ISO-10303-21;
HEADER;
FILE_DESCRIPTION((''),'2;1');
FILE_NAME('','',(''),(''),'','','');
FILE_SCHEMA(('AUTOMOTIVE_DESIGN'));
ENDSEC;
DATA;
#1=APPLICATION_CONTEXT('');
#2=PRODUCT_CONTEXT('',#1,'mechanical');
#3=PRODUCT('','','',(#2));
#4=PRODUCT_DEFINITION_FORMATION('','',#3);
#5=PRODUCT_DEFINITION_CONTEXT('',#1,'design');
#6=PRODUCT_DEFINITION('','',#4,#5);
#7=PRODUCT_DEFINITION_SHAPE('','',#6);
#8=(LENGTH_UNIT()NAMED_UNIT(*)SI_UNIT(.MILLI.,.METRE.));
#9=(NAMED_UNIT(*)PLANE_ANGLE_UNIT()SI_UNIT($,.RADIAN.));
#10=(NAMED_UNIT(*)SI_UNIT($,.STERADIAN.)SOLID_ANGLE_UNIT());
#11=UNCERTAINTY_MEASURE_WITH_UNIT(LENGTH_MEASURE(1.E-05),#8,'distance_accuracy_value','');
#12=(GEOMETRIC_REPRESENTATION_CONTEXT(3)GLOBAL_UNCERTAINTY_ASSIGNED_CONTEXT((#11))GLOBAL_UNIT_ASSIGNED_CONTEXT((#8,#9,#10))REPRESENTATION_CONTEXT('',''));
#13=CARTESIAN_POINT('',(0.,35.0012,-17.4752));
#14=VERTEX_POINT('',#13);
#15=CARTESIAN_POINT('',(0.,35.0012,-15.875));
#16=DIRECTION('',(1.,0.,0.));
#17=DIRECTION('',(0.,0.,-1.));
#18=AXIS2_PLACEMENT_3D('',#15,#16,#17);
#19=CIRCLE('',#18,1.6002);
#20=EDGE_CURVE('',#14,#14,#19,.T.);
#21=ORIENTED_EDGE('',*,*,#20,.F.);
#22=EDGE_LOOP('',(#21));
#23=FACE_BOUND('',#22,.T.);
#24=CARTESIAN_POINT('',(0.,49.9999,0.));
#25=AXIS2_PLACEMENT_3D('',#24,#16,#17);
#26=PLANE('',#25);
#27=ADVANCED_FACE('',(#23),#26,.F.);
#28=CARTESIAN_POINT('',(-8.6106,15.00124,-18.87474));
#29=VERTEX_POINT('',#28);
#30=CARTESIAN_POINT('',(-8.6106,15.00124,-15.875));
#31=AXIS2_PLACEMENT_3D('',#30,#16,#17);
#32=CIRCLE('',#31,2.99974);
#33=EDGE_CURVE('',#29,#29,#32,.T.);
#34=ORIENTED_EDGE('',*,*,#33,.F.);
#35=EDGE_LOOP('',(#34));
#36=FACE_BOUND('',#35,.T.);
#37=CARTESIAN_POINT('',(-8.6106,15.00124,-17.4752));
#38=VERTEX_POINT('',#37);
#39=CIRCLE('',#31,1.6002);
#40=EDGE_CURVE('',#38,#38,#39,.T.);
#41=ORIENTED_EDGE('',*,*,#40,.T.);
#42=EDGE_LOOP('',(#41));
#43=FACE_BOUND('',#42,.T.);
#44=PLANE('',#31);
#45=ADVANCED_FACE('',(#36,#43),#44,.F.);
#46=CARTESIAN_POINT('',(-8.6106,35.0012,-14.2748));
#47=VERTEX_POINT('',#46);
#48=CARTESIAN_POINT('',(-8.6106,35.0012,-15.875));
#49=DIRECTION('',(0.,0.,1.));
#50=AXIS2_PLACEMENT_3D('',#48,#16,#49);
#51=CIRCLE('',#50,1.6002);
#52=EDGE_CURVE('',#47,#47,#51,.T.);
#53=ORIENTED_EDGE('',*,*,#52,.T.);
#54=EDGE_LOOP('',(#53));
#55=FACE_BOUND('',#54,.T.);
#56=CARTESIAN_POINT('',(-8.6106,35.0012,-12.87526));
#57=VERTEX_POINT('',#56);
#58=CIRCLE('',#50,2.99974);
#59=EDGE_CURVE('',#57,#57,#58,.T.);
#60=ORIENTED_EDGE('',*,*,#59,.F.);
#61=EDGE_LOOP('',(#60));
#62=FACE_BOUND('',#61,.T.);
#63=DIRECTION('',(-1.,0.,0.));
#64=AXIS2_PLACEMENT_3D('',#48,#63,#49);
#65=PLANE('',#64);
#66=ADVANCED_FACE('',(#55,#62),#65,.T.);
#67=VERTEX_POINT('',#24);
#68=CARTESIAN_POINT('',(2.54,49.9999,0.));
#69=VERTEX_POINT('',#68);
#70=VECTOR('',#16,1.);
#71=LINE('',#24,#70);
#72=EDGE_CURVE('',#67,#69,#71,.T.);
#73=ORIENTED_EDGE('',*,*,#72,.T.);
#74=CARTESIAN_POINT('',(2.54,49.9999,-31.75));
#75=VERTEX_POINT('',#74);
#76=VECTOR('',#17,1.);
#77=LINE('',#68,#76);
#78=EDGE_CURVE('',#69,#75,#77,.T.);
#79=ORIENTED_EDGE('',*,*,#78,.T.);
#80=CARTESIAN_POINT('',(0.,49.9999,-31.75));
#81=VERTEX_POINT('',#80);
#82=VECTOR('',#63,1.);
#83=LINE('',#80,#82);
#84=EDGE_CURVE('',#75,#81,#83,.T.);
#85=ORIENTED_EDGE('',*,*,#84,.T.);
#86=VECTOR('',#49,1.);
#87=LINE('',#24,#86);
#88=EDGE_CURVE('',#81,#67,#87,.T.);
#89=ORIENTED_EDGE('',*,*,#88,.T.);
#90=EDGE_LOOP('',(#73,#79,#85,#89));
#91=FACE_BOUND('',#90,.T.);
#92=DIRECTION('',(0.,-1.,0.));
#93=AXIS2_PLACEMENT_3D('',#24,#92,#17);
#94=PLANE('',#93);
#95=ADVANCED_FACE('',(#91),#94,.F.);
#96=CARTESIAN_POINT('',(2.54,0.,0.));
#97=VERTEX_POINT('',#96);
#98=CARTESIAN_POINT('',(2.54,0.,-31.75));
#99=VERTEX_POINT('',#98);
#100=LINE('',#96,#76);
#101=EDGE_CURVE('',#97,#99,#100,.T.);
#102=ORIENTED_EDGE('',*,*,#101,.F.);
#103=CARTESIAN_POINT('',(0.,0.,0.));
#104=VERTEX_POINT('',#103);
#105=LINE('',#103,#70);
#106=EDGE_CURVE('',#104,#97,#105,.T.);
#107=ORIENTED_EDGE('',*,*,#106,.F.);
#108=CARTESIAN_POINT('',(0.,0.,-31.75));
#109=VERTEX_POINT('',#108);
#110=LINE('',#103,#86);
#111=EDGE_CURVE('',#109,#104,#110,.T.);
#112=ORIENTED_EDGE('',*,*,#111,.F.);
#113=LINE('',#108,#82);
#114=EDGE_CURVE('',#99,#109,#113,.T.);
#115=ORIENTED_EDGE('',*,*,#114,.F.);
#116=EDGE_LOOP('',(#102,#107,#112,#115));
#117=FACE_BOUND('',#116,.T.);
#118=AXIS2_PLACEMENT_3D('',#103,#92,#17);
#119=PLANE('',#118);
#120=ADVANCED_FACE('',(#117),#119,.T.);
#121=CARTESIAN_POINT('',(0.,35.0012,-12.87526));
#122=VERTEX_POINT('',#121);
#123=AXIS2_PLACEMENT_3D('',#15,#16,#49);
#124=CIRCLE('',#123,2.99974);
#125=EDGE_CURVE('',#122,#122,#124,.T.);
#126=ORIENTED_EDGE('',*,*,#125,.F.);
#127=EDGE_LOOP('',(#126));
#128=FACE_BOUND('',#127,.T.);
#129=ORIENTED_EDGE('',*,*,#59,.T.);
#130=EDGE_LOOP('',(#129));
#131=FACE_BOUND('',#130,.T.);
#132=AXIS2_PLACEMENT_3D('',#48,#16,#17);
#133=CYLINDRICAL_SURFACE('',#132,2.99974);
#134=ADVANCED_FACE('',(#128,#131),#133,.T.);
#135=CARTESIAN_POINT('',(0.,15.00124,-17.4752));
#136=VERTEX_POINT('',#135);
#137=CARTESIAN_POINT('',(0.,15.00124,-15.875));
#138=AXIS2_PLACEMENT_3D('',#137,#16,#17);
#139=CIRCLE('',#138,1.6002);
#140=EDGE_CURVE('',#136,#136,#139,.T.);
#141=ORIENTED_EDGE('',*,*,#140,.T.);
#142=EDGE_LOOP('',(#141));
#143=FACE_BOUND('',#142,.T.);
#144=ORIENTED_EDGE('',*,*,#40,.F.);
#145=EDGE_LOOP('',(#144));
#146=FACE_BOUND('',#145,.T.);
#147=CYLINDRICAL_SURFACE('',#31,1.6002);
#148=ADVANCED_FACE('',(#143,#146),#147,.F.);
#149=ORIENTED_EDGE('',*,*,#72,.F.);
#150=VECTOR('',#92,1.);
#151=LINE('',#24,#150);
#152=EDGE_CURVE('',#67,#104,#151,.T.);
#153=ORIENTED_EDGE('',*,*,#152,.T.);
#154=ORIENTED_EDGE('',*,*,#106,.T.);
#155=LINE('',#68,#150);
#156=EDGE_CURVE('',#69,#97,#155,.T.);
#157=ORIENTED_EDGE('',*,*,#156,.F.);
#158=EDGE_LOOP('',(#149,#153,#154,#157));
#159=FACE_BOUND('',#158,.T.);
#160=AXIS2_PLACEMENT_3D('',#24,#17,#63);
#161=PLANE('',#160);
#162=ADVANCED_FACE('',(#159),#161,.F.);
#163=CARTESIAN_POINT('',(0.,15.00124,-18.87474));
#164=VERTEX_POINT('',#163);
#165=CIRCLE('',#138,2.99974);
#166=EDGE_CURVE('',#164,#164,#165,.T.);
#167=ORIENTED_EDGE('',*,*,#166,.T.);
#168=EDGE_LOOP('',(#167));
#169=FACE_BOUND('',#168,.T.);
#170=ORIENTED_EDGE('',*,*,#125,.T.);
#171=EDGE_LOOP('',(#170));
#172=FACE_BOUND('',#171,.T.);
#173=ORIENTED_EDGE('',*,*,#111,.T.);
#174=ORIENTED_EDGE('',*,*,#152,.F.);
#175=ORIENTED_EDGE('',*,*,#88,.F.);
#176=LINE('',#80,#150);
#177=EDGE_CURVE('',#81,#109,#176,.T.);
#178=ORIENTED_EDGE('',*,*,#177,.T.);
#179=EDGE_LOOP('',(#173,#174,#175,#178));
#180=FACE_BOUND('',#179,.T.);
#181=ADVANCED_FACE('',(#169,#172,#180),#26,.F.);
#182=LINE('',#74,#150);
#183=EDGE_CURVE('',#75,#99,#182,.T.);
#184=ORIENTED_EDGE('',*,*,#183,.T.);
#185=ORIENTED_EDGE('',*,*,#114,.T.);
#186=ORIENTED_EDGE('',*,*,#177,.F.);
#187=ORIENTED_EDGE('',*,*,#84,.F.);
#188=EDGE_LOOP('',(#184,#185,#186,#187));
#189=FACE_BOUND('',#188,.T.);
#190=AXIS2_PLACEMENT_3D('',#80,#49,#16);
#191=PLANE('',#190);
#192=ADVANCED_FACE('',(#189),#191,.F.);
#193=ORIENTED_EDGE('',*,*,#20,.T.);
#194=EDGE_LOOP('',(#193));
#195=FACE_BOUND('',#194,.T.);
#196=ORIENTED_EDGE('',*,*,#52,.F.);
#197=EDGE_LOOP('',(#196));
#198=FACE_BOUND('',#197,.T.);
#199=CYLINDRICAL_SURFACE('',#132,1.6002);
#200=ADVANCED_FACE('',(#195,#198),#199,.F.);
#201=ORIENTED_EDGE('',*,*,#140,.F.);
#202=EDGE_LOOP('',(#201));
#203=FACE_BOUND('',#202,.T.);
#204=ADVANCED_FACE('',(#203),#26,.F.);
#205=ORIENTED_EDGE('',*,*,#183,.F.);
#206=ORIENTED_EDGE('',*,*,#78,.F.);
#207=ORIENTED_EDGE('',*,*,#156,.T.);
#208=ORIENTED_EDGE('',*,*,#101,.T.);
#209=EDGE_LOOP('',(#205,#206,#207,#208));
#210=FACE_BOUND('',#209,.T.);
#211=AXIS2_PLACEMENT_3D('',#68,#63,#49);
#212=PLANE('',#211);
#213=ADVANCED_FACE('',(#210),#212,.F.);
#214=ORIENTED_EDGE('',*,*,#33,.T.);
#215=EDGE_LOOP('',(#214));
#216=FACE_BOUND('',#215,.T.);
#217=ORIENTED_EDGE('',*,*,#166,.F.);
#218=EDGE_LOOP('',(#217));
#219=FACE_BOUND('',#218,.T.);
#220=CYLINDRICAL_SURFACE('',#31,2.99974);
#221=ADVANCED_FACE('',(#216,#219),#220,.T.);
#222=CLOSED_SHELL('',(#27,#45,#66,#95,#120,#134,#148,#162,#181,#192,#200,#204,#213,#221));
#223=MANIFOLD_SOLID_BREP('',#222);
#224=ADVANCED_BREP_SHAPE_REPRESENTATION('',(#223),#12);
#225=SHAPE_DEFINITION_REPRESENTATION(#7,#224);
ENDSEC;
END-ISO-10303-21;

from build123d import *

# Parameters (mm, degrees)
SKETCH1_W           = 2.54
SKETCH1_H           = 31.75
BOSS_EXTRUDE1_DEPTH = 49.9999
SKETCH5_R           = 2.99974
SKETCH5_R_2         = 1.6002
BOSS_EXTRUDE3_DEPTH = 8.6106


with BuildPart() as part:
    # Sketch1 → Boss-Extrude1 (new body)
    with BuildSketch(Plane(origin=(0, 0, 0), x_dir=(1, 0, 0), z_dir=(0, 1, 0))):
        with Locations((1.27, 15.875)):
            Rectangle(SKETCH1_W, SKETCH1_H)
    extrude(amount=BOSS_EXTRUDE1_DEPTH)

    # Sketch5 → Boss-Extrude3 (add)
    with BuildSketch(Plane(origin=(0, 0, 0), x_dir=(0, 0, -1), z_dir=(1, 0, 0))):
        with Locations((15.875, 15.00124)):
            Circle(SKETCH5_R)
        with Locations((15.875, 15.00124)):
            Circle(SKETCH5_R_2, mode=Mode.SUBTRACT)
        with Locations((15.875, 35.0012)):
            Circle(SKETCH5_R)
        with Locations((15.875, 35.0012)):
            Circle(SKETCH5_R_2, mode=Mode.SUBTRACT)
    extrude(amount=-BOSS_EXTRUDE3_DEPTH)


solid = part.part
